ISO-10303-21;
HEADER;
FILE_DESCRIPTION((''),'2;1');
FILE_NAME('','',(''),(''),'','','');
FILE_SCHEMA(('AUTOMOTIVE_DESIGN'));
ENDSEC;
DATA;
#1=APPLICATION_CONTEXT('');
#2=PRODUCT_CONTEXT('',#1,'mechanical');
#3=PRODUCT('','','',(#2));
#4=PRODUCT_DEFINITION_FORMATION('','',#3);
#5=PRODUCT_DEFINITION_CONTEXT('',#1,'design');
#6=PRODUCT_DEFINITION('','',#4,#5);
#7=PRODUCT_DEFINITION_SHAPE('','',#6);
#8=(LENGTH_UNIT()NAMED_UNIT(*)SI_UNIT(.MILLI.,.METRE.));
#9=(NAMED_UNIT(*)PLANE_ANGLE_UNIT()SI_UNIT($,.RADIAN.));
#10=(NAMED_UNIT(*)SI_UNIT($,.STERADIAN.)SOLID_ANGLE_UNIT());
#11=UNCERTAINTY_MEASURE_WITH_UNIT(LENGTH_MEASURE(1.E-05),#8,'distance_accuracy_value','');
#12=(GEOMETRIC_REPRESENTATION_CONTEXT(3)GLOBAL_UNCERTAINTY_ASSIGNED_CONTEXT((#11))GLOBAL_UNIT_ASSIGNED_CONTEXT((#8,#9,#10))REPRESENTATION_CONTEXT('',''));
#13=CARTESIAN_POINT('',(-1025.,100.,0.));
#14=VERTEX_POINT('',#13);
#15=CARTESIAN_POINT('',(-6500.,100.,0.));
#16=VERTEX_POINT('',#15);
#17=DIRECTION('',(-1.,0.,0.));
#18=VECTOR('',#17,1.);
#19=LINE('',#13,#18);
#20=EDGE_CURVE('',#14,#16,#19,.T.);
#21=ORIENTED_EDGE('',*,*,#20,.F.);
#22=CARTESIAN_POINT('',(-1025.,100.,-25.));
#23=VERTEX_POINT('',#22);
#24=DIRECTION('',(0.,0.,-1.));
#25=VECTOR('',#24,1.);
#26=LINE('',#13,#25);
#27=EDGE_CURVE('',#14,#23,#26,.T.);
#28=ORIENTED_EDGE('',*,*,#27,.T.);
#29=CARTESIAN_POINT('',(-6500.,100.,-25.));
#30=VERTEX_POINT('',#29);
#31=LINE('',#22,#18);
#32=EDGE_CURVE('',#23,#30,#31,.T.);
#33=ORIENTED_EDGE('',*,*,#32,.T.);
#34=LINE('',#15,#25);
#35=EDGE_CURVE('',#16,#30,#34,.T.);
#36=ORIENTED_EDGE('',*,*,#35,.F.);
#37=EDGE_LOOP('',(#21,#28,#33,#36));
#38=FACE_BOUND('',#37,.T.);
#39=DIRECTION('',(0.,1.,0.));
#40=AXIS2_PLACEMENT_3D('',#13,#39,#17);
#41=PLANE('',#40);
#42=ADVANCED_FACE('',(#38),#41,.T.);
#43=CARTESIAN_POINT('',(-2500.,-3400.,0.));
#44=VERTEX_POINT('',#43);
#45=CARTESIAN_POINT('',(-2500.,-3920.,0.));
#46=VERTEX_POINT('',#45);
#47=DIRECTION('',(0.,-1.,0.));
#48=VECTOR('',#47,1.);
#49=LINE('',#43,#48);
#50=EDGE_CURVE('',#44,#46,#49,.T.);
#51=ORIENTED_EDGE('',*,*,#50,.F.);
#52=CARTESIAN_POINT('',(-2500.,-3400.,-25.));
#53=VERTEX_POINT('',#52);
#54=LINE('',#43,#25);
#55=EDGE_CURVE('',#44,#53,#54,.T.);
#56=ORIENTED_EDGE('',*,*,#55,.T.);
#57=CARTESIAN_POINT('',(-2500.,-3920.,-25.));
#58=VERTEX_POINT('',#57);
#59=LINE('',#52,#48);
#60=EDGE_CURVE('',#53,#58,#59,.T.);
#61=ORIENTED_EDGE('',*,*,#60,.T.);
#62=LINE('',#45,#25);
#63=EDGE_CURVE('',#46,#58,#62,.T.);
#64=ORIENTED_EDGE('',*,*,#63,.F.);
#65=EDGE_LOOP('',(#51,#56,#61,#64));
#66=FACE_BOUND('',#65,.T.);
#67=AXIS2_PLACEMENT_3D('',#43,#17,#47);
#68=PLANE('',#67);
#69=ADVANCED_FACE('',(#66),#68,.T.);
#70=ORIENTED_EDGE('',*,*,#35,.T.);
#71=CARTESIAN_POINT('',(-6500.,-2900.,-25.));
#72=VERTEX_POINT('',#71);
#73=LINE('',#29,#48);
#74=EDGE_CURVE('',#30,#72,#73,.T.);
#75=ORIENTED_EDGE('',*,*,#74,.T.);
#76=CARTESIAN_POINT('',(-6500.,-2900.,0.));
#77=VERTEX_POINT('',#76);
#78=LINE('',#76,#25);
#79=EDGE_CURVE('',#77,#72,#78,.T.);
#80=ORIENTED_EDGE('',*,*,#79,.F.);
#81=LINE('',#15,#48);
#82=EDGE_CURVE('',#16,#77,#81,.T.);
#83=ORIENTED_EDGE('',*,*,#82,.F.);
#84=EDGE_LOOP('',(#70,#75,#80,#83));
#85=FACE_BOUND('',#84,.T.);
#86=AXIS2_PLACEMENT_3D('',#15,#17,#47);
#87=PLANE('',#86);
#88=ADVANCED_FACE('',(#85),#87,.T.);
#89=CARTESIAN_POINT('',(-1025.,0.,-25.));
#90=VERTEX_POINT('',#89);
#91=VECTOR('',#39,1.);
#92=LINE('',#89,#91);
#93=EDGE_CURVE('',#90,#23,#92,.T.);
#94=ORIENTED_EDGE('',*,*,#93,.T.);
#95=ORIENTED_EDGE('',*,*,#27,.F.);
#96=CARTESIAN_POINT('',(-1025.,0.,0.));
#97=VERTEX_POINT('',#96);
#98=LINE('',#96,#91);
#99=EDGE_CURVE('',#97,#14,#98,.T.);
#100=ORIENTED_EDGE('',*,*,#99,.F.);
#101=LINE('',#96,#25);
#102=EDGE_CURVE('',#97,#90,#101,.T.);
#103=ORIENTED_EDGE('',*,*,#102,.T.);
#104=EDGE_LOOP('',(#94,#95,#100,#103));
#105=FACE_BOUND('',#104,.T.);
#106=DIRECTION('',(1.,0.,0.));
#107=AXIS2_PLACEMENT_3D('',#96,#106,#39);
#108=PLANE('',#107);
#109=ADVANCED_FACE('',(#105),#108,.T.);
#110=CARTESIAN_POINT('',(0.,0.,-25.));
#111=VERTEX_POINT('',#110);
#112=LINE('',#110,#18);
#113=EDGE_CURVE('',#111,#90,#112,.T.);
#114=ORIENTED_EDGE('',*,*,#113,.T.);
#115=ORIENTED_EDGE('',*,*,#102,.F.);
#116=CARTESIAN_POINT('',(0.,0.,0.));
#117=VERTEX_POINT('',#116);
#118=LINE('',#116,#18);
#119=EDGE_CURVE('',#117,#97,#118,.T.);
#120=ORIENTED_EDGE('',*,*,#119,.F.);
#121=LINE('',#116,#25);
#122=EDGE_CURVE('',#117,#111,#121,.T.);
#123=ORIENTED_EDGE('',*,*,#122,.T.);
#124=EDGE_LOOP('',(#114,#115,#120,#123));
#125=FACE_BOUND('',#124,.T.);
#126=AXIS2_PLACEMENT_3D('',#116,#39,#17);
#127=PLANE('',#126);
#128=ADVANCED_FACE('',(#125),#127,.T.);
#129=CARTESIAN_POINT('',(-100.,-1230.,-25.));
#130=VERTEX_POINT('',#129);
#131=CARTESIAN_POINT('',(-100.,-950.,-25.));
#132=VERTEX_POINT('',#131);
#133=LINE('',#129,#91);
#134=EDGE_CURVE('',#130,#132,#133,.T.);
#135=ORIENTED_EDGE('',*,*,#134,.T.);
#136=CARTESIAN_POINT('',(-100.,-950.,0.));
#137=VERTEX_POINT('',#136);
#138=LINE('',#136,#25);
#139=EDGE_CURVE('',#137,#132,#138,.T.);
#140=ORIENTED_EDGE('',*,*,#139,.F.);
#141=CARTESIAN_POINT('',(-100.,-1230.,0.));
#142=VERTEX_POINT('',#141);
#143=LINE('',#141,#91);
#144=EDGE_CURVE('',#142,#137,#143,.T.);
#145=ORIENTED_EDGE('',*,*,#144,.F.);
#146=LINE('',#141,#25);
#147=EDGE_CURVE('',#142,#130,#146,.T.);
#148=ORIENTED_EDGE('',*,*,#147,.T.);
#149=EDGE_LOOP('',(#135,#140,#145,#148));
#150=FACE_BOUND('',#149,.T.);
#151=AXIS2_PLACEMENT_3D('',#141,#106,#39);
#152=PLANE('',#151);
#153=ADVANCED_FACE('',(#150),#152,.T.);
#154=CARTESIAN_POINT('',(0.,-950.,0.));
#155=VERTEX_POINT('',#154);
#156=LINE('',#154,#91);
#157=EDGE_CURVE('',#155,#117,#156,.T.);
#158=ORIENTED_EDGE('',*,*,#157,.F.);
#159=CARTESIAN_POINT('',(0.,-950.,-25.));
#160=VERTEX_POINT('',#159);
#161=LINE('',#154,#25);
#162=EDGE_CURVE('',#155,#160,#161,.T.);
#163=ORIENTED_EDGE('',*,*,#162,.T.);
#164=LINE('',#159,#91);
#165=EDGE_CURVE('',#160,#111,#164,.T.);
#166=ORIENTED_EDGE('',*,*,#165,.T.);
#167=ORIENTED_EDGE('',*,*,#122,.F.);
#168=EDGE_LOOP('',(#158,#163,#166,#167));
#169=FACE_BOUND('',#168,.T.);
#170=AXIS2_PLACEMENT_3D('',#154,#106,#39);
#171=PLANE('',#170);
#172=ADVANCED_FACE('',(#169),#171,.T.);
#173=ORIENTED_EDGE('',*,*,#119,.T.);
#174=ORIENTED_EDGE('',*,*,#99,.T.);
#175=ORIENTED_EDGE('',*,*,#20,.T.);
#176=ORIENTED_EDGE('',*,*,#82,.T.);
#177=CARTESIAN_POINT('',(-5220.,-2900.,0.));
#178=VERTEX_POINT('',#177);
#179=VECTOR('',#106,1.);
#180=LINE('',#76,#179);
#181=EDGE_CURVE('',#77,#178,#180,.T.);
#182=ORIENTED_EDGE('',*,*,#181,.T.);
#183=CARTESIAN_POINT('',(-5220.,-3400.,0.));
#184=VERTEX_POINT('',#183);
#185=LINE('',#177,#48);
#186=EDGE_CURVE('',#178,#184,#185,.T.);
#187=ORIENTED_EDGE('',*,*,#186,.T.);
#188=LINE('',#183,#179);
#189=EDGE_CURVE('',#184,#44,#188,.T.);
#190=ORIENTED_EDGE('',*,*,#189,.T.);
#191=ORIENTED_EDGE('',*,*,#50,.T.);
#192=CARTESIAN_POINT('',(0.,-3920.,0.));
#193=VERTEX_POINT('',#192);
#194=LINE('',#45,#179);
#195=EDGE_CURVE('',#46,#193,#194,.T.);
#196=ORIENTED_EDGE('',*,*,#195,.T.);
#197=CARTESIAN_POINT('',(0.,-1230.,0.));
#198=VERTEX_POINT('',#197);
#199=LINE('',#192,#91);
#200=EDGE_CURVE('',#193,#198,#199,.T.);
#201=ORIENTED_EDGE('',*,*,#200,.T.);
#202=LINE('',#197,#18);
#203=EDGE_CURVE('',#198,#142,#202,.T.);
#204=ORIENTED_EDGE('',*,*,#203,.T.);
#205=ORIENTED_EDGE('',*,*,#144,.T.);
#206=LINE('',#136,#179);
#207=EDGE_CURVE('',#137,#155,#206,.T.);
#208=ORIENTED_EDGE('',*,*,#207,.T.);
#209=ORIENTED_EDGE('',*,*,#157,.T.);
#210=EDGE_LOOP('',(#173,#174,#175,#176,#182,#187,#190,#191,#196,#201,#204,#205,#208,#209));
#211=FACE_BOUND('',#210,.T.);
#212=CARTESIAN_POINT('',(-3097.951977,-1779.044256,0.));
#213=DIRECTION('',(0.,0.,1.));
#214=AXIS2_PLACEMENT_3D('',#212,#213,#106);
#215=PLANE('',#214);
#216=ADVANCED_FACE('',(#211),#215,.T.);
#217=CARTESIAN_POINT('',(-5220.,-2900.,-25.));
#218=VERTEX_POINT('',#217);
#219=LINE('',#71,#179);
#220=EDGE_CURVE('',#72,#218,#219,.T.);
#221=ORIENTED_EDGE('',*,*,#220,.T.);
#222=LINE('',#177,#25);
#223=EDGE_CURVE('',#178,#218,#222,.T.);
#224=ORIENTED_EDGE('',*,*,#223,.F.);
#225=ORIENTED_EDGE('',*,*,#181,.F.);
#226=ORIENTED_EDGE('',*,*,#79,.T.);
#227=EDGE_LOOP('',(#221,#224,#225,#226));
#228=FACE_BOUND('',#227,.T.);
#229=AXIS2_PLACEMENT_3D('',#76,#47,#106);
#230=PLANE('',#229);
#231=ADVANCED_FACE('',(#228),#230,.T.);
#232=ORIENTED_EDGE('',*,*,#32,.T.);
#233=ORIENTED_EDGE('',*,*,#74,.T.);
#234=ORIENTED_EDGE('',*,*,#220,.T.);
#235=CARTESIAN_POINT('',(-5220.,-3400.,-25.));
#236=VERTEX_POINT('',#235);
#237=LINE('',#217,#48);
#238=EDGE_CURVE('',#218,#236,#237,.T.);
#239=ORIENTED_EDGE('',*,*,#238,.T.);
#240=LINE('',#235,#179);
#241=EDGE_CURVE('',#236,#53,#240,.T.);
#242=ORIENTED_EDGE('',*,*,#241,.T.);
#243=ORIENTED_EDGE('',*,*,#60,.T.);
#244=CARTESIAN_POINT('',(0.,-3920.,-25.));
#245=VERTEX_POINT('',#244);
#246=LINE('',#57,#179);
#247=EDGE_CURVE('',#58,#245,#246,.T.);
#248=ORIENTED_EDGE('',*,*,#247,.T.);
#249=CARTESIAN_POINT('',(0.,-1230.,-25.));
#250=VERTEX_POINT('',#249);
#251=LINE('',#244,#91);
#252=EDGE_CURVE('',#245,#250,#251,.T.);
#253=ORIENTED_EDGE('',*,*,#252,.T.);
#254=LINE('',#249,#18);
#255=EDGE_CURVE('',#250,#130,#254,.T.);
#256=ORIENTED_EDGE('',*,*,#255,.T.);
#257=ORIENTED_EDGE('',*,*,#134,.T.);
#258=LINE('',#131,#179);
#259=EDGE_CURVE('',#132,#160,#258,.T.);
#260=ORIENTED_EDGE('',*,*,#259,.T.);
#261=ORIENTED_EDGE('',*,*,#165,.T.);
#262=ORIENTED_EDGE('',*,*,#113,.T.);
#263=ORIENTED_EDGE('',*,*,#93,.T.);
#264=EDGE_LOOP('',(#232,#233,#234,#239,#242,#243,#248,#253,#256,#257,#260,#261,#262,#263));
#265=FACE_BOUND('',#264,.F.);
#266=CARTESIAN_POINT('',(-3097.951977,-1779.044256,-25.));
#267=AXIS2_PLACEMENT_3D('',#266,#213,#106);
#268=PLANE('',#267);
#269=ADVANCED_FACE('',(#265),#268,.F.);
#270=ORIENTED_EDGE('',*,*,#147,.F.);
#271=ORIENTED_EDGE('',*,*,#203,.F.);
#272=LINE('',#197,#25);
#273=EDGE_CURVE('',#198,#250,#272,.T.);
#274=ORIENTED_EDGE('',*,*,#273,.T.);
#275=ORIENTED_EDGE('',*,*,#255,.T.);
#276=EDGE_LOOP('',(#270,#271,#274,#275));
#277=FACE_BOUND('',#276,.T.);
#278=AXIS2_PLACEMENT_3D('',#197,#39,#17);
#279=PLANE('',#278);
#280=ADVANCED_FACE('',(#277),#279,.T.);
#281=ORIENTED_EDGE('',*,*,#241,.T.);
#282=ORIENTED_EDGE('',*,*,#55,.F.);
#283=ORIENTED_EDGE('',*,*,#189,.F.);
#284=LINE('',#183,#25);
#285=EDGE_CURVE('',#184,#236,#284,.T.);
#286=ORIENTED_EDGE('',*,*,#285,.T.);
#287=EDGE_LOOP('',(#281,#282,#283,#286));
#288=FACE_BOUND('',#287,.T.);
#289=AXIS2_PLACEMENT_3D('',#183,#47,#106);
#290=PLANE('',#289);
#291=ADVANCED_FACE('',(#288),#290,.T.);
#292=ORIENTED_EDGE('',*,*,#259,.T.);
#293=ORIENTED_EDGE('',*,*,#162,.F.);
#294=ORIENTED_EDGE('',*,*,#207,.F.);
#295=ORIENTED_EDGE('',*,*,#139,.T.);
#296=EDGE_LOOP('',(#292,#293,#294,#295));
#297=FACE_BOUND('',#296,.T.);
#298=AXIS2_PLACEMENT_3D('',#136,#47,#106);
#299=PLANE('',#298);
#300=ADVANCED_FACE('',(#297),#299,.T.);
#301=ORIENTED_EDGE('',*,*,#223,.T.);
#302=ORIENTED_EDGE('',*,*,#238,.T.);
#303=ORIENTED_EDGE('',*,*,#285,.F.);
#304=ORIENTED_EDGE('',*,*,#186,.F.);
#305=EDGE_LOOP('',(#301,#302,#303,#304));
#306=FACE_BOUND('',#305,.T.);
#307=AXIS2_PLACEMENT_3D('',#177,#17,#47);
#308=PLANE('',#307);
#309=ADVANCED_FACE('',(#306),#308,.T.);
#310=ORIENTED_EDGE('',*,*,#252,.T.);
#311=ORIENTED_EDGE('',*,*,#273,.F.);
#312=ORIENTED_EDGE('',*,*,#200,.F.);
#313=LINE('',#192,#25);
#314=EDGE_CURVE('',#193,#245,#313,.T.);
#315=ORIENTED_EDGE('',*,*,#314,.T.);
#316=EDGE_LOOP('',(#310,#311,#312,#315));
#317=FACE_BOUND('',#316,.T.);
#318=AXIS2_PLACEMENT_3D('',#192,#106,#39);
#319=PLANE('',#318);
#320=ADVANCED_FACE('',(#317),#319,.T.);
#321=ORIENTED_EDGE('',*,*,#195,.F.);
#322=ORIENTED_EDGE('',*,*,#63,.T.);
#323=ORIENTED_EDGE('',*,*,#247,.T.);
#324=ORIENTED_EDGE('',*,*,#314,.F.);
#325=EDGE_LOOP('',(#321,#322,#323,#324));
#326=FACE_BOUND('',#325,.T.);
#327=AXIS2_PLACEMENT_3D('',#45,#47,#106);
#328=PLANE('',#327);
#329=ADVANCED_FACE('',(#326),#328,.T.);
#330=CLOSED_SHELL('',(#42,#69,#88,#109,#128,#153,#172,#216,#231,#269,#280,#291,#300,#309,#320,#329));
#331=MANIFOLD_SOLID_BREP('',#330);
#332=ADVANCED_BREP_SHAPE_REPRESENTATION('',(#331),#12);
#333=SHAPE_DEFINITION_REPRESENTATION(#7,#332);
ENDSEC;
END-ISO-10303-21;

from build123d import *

# Parameters (mm, degrees)
F1_DEPTH = 25


with BuildPart() as f1:
    # F0 (on Top) → F1 (new body)
    with BuildSketch(Plane.XY):
        Polygon((0, -950), (0, 0), (-1025, 0), (-1025, 100), (-6500, 100), (-6500, -2900), (-5220, -2900), (-5220, -3400), (-2500, -3400), (-2500, -3920), (0, -3920), (0, -1230), (-100, -1230), (-100, -950), align=None)
    extrude(amount=-F1_DEPTH)


solid = f1.part
